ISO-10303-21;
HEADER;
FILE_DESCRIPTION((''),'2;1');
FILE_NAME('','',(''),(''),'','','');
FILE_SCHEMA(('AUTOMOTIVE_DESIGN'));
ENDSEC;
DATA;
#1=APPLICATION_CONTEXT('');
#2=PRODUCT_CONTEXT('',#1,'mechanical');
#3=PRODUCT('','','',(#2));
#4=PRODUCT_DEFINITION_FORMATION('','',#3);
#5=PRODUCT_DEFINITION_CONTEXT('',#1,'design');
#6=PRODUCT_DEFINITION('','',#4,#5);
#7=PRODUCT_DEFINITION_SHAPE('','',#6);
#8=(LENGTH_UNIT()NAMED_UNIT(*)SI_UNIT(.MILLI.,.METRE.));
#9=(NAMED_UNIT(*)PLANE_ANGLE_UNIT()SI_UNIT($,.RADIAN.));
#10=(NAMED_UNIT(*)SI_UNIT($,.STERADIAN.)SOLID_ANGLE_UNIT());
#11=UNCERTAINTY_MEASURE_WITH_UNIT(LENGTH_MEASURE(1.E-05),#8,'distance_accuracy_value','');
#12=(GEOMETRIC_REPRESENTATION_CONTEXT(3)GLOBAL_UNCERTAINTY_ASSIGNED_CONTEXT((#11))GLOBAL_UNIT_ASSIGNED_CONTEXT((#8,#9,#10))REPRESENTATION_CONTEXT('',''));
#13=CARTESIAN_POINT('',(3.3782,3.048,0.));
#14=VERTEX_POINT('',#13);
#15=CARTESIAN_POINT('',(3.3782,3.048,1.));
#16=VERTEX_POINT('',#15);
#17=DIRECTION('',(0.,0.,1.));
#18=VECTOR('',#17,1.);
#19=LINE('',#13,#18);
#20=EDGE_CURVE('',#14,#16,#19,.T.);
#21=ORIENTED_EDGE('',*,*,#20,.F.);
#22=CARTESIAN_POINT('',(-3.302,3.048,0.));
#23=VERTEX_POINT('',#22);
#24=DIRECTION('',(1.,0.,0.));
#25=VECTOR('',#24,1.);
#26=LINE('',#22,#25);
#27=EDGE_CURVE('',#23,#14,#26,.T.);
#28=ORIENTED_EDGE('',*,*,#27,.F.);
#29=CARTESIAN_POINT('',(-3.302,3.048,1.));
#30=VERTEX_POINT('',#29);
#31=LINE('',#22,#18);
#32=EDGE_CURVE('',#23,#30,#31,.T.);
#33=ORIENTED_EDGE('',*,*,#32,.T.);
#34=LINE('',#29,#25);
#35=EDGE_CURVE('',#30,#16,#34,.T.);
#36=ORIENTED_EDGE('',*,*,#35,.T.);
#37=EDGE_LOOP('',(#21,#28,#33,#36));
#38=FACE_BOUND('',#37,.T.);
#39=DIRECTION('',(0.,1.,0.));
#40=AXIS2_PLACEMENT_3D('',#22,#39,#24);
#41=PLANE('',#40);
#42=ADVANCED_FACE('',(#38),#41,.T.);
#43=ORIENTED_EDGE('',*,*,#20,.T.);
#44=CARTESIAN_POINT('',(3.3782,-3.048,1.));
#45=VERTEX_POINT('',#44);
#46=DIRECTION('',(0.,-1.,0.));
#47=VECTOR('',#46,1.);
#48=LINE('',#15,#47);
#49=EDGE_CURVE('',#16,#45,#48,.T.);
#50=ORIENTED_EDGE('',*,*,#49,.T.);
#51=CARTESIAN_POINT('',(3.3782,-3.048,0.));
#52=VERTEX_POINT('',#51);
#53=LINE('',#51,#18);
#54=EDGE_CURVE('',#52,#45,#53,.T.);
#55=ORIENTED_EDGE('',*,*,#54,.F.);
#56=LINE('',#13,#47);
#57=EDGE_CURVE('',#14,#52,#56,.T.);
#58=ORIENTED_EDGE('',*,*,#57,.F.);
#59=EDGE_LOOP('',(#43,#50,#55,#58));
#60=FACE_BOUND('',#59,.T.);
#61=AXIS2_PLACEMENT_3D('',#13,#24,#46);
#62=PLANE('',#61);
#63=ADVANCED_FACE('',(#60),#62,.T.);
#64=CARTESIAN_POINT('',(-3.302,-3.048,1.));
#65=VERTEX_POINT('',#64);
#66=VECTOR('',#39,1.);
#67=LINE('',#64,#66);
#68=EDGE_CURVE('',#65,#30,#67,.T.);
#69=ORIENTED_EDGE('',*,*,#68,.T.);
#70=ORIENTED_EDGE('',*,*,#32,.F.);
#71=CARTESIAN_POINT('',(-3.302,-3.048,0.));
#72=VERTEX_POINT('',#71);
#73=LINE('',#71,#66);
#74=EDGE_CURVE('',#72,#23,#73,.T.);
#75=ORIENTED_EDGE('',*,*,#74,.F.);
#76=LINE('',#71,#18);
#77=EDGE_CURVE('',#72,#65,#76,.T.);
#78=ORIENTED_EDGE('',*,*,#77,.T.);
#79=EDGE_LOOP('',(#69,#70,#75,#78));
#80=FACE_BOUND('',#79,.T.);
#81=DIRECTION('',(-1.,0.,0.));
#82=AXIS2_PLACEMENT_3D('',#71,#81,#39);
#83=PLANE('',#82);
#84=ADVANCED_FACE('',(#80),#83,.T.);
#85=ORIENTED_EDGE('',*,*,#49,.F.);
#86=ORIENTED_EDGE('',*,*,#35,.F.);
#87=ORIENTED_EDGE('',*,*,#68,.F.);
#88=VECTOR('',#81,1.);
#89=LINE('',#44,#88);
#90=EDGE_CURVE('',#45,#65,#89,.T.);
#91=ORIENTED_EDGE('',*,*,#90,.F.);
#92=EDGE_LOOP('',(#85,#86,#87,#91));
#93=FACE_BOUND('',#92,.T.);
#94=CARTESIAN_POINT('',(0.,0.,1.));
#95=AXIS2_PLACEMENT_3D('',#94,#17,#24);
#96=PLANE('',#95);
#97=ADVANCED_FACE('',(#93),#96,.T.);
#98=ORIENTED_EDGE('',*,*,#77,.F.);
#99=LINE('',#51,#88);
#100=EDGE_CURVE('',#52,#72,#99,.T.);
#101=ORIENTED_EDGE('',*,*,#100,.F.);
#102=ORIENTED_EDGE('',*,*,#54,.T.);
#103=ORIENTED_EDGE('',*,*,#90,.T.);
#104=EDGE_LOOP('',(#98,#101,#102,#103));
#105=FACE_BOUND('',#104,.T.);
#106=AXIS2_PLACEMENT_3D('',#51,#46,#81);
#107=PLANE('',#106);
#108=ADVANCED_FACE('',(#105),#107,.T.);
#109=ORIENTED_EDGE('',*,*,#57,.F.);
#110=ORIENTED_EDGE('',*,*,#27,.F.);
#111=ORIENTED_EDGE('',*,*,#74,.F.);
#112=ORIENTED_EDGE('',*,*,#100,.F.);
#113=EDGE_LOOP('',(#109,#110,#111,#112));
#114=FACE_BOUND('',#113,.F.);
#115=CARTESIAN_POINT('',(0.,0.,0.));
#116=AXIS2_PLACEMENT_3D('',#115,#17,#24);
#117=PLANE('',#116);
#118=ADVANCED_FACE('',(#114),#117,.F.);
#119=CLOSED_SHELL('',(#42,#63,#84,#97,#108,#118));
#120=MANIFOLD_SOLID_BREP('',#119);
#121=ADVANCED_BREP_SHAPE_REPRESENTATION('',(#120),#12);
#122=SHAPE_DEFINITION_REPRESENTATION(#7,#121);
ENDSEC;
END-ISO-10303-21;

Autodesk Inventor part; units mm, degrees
ref_plane "YZ Plane" through (0, 0, 0) normal (1, 0, 0) x (0, 1, 0)
ref_plane "XZ Plane" through (0, 0, 0) normal (0, 1, 0) x (-1, 0, 0)
ref_plane "XY Plane" through (0, 0, 0) normal (0, 0, 1) x (1, 0, 0)
sketch "B3F-10XX, RST_B3F-10XX_60" plane through (0, 0, 0) normal (0, 0, 1) x (1, 0, 0)
  line L0 (-3.302, 3.048) -> (3.3782, 3.048)
  line L1 (3.3782, 3.048) -> (3.3782, -3.048)
  line L2 (3.3782, -3.048) -> (-3.302, -3.048)
  line L3 (-3.302, -3.048) -> (-3.302, 3.048)
extrude "Extrusion1" add sketch "B3F-10XX, RST_B3F-10XX_60" along normal blind 1
properties part number "RST_B3F-10XX"
